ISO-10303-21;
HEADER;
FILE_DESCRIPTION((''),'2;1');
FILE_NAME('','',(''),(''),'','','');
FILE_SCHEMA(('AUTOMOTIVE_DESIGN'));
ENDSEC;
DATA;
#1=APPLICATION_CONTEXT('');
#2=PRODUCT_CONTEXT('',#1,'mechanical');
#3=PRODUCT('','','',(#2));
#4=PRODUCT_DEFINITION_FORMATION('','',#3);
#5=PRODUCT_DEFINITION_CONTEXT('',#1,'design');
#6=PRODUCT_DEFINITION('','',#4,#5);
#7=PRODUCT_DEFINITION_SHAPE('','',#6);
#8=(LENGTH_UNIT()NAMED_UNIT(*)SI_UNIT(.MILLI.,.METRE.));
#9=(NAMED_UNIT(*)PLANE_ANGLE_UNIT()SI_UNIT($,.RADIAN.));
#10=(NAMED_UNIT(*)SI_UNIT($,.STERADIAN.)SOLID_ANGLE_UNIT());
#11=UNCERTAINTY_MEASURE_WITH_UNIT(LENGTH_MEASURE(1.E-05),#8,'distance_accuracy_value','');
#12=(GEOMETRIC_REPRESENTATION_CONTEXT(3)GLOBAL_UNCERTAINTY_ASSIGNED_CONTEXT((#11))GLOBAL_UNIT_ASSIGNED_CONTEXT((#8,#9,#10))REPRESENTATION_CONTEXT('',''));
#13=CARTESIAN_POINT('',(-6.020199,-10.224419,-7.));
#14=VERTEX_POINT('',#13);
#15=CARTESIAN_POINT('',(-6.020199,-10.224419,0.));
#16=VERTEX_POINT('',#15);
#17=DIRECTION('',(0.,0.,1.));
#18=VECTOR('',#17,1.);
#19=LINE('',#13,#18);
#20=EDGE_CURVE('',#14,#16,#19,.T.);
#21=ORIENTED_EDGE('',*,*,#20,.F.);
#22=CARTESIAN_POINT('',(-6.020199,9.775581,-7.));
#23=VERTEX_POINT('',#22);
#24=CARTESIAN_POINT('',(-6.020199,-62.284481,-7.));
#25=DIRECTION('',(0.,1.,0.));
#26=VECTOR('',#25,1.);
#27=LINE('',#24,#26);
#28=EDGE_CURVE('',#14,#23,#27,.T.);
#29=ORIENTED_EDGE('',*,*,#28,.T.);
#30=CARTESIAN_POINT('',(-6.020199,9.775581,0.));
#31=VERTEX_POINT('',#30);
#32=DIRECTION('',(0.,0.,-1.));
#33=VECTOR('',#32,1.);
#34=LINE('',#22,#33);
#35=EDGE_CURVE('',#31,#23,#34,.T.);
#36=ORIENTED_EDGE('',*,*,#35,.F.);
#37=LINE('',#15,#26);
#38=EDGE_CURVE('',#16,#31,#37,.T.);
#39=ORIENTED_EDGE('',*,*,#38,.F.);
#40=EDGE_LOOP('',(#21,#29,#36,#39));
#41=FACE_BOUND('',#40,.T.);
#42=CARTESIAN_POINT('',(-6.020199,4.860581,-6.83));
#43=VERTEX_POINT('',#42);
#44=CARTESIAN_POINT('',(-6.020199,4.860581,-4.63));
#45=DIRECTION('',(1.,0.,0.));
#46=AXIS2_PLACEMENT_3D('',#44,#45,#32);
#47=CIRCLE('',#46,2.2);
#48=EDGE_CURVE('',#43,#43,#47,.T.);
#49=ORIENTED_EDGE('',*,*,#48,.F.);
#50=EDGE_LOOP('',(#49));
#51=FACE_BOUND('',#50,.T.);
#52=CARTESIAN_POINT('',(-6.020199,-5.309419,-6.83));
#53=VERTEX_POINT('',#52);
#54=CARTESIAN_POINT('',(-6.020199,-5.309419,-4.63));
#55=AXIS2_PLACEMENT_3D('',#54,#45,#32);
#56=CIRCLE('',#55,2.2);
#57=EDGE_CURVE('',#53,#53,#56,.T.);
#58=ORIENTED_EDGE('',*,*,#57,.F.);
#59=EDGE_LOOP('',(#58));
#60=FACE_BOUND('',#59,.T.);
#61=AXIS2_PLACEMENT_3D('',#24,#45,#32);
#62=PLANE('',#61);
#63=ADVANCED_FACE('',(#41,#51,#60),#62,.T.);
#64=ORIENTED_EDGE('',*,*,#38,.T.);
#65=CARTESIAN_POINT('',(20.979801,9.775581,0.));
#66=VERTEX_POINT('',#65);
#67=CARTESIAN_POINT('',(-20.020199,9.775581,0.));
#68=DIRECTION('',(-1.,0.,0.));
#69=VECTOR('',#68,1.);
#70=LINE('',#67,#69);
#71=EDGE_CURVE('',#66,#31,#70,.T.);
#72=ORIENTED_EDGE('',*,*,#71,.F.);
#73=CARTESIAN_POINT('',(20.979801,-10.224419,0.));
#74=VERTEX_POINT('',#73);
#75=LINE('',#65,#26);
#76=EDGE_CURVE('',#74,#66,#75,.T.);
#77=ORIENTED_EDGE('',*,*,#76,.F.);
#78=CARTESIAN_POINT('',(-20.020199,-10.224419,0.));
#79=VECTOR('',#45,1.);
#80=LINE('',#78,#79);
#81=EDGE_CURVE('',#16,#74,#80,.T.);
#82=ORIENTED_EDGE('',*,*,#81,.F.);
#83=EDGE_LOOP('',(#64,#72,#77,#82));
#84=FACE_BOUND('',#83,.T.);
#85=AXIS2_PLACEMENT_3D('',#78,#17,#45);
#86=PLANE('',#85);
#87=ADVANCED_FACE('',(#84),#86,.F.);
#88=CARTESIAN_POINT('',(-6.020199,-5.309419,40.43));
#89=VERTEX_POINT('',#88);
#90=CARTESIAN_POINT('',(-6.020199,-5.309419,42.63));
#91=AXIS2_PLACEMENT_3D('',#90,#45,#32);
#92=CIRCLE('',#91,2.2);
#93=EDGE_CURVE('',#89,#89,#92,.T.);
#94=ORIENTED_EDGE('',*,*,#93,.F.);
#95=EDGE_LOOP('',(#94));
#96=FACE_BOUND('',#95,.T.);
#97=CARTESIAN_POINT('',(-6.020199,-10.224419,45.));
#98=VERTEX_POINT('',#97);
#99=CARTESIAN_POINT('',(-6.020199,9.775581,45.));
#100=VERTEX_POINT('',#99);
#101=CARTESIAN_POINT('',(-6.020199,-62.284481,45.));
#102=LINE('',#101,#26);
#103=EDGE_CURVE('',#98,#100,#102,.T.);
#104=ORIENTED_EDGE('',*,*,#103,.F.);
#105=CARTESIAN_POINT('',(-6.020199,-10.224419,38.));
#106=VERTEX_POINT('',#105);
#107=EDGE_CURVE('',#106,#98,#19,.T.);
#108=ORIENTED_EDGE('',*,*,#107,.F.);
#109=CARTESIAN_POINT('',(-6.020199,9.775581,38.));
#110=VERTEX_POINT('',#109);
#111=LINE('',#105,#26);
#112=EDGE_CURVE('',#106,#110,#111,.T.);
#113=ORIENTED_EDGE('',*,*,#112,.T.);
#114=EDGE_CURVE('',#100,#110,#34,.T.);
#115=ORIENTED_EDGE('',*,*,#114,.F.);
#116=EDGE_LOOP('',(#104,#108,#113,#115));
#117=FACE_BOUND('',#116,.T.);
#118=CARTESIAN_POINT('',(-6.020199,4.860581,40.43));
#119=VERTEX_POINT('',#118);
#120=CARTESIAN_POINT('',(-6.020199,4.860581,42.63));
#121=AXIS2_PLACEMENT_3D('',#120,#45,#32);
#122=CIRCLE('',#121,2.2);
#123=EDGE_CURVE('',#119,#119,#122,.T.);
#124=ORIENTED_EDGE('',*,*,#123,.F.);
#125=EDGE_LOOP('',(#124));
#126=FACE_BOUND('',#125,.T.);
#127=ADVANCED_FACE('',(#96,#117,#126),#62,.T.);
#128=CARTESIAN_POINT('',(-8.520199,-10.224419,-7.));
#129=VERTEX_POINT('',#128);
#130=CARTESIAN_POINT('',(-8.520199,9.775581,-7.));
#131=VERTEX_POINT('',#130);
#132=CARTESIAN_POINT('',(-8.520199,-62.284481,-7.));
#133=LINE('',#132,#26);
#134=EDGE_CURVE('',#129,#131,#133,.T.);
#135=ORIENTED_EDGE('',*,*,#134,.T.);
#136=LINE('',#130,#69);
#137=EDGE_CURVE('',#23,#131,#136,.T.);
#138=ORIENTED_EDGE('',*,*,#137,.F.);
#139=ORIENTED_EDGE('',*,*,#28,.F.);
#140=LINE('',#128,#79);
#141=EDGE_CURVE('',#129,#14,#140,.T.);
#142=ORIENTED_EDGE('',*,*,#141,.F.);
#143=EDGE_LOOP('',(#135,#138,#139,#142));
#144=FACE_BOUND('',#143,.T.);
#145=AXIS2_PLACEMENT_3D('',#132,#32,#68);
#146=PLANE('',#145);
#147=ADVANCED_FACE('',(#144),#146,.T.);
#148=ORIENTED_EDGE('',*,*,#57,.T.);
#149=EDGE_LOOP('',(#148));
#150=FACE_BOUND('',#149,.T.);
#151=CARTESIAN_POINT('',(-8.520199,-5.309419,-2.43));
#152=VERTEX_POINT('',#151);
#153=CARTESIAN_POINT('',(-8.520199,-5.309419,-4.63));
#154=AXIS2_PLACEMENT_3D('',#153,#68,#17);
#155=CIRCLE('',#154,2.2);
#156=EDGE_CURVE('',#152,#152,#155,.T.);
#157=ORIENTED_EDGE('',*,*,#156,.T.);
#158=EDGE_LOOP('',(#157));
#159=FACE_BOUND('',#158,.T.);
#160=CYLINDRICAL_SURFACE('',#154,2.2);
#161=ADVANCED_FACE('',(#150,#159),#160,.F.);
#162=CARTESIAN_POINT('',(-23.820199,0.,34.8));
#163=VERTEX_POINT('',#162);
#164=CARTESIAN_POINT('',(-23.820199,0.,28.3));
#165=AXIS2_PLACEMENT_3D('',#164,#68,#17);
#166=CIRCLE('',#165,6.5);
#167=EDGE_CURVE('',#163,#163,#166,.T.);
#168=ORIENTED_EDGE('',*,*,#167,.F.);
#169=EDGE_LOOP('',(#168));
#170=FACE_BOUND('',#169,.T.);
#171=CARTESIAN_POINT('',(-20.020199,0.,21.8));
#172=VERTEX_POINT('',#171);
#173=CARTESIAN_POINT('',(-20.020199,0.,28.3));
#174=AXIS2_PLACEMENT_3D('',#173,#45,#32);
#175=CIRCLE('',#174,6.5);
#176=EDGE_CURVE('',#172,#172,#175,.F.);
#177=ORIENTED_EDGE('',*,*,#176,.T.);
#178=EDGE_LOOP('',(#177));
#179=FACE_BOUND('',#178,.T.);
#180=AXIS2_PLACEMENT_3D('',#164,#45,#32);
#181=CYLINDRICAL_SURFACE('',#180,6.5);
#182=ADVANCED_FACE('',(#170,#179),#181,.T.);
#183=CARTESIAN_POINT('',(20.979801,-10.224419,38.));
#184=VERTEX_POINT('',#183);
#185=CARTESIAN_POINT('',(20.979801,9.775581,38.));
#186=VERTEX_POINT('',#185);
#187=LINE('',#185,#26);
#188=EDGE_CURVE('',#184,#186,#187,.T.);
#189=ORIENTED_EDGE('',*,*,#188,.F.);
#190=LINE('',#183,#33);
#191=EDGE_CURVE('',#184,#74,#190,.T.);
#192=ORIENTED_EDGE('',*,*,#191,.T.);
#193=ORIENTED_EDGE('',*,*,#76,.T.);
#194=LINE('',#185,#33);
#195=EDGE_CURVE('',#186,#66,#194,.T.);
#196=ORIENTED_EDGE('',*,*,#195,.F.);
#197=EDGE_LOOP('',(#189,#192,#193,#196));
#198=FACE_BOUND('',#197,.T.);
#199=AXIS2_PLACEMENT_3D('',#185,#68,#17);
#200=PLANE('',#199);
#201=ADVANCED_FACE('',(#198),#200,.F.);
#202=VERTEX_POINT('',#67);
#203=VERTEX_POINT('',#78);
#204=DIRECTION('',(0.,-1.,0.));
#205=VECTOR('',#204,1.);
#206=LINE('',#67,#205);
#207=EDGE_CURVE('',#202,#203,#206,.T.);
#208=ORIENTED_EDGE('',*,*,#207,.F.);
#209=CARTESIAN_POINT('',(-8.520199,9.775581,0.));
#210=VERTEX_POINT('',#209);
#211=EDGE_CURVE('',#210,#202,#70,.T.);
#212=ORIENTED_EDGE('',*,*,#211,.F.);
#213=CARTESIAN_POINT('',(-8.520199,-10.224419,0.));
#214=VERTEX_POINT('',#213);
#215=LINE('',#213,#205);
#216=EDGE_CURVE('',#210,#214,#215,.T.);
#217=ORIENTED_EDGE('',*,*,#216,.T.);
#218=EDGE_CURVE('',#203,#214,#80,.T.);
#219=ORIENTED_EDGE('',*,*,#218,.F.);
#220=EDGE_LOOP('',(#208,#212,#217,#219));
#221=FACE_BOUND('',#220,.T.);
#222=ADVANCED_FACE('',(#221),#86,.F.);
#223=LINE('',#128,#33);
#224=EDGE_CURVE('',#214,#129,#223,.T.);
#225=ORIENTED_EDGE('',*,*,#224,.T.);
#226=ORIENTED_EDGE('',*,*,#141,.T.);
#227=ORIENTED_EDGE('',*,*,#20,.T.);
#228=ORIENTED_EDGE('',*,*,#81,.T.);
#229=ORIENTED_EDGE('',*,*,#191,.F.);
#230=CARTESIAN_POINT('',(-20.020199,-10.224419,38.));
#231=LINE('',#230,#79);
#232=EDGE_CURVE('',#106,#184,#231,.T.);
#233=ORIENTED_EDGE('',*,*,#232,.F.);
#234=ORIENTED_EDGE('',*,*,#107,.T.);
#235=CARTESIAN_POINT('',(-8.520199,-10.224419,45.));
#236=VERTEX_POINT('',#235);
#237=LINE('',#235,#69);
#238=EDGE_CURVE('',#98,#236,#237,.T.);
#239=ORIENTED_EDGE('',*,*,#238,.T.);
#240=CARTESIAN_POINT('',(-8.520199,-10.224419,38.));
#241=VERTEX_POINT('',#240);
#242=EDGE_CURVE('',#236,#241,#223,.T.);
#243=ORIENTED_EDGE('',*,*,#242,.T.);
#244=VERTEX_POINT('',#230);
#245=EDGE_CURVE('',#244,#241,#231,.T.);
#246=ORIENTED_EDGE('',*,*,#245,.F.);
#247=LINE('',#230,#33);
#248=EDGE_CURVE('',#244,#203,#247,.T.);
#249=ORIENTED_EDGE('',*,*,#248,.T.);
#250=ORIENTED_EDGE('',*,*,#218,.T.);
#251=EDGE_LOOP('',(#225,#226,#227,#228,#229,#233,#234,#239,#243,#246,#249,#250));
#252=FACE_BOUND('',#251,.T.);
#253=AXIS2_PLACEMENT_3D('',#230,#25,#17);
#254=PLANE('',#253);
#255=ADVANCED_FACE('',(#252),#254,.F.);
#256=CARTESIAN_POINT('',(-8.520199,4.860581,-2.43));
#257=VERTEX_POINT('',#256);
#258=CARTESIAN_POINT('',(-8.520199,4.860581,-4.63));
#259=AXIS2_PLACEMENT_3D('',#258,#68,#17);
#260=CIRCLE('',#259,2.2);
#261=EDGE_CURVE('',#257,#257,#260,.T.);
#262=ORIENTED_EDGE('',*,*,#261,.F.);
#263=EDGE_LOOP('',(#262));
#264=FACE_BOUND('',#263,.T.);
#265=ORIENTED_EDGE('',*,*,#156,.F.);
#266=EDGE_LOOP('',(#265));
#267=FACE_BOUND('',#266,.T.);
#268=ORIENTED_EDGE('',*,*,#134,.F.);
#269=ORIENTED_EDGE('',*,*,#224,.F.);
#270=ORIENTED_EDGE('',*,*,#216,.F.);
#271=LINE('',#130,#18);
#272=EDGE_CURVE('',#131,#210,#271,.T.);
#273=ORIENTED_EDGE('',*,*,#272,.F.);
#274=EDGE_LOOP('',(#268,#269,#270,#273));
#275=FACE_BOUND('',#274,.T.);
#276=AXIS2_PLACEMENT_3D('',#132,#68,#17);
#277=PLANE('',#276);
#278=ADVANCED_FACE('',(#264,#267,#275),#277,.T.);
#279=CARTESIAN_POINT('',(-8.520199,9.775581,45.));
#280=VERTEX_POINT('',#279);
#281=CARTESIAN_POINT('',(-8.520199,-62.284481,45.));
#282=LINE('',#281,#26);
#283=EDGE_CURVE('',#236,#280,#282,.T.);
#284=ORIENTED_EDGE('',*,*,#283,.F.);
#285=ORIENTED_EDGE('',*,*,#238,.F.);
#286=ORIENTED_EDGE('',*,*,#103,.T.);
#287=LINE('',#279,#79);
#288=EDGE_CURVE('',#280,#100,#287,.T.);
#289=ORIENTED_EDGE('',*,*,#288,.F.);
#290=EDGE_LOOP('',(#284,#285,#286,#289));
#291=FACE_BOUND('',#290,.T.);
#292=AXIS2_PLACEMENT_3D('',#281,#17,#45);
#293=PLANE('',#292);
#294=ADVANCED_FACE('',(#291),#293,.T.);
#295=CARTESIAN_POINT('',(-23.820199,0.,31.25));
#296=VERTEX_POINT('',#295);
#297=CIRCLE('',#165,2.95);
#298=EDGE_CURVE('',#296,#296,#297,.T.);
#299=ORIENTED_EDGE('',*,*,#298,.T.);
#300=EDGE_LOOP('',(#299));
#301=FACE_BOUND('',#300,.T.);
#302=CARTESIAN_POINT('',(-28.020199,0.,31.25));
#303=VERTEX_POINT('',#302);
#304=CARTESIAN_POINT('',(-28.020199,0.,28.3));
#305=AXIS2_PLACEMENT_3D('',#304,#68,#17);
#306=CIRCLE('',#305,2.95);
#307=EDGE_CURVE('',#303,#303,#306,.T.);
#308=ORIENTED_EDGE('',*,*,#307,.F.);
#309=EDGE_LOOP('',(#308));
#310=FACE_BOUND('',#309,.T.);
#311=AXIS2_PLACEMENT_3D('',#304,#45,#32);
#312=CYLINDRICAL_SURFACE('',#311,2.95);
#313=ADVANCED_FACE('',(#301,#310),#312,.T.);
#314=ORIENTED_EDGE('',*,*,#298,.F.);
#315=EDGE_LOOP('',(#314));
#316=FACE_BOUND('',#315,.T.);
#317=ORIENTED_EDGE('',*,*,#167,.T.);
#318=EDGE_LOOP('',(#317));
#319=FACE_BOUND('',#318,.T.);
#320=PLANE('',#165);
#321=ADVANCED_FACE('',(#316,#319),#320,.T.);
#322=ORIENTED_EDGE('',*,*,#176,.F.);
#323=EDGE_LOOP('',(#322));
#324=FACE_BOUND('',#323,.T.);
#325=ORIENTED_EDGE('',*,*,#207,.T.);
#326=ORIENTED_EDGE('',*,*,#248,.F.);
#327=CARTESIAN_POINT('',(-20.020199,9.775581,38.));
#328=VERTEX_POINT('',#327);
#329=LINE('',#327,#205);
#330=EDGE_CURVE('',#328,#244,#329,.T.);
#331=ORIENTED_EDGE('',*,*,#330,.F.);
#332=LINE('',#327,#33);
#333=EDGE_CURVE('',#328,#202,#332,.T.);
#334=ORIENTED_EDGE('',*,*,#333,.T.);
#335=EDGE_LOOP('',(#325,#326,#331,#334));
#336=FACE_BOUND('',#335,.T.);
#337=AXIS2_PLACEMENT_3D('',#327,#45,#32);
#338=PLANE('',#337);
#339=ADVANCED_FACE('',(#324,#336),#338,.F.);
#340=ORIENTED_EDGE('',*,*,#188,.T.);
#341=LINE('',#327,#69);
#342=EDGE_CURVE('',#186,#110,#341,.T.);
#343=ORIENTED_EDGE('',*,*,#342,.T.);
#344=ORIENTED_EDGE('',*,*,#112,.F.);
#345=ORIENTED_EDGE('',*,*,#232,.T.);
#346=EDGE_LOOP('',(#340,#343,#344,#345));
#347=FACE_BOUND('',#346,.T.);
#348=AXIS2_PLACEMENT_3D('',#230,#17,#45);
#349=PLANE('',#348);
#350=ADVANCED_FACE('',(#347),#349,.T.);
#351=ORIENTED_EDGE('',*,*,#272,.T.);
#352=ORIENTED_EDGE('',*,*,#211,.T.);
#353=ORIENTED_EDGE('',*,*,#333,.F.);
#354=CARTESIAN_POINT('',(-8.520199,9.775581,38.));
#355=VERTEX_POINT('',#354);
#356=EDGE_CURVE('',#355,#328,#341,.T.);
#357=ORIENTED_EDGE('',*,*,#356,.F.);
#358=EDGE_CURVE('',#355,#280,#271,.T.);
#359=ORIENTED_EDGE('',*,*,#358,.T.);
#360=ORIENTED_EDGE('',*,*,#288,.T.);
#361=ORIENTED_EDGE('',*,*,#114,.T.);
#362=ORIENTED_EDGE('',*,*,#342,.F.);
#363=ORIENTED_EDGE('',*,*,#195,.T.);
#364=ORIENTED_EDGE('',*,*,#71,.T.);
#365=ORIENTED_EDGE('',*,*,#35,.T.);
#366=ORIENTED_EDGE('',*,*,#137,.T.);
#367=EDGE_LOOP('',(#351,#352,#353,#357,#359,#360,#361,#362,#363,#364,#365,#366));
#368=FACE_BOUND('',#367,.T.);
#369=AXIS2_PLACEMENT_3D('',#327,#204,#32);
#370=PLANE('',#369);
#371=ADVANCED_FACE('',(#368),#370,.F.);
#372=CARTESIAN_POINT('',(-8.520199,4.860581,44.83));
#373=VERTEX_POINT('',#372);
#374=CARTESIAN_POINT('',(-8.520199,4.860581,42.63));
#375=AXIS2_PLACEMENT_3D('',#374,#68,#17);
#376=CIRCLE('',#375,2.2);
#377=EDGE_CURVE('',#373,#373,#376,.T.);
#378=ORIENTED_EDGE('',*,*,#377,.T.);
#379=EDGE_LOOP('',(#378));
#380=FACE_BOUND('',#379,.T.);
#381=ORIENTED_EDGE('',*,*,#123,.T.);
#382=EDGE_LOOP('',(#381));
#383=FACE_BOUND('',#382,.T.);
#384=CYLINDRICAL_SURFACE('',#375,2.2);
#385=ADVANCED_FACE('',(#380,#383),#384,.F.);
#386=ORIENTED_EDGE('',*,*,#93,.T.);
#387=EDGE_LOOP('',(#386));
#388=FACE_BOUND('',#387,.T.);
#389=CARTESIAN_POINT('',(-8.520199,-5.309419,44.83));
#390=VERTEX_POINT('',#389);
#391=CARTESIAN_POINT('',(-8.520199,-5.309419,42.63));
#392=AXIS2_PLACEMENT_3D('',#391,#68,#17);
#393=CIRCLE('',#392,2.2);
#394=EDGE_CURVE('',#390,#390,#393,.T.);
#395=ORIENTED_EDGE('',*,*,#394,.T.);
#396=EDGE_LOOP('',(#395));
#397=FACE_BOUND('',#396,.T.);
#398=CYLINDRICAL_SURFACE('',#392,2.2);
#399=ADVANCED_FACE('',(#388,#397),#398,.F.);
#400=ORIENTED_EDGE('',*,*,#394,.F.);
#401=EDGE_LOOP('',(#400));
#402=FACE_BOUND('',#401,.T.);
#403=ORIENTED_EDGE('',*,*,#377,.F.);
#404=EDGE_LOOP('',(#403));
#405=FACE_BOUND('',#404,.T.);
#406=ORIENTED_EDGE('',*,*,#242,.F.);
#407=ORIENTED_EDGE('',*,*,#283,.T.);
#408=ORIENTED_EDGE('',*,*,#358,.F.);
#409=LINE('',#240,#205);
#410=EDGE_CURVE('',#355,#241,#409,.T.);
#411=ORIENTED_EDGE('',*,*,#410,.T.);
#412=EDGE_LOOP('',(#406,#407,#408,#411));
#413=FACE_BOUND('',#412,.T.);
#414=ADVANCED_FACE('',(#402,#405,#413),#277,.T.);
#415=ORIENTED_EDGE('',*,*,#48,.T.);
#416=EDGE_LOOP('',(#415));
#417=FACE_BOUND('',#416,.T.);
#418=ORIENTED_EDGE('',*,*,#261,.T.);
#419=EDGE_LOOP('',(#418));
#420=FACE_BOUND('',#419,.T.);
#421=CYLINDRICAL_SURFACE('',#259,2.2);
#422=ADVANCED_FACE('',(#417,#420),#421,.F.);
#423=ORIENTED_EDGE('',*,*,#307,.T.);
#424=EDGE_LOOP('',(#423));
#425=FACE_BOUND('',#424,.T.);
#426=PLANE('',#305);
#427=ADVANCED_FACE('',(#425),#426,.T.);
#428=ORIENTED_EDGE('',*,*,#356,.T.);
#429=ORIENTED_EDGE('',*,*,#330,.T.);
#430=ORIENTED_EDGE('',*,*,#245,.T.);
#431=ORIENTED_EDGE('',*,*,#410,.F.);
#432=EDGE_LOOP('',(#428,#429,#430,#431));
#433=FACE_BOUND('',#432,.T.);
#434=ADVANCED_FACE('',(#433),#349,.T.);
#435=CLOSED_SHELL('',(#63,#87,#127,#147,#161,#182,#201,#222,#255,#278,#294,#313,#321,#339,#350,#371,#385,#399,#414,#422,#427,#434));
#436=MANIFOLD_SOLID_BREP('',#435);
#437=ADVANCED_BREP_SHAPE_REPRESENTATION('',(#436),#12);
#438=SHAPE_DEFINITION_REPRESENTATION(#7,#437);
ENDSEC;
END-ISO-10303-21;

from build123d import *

# Parameters (mm, degrees)
SKETCH1_W                      = 41
SKETCH1_H                      = 20
EXTRUDE1_DEPTH                 = 38
SKETCH2_W                      = 2.5
SKETCH2_H                      = 52
EXTRUDE2_DEPTH                 = 20
SKETCH3_R                      = 6.5
EXTRUDE3_DEPTH                 = 3.8
SKETCH4_R                      = 2.95
EXTRUDE4_DEPTH                 = 4.2
F_4_4_4_4_DIAMETER_HOLE1_D     = 4.4
F_4_4_4_4_DIAMETER_HOLE1_DEPTH = 150
F_4_4_4_4_DIAMETER_HOLE1_TIP   = 1.321893362


with BuildPart() as part:
    # Sketch1 → Extrude1 (new body)
    with BuildSketch(Plane.XY):
        with Locations((0.479801018, -0.224419429)):
            Rectangle(SKETCH1_W, SKETCH1_H)
    extrude(amount=EXTRUDE1_DEPTH)

    # Sketch2 → Extrude2 (add)
    with BuildSketch(Plane(origin=(0, 9.775580571, 0), x_dir=(1, 0, 0), z_dir=(0, 1, 0))):
        with Locations((-7.270198982, -19)):
            Rectangle(SKETCH2_W, SKETCH2_H)
    extrude(amount=-EXTRUDE2_DEPTH)

    # Sketch3 → Extrude3 (add)
    with BuildSketch(Plane.ZY.offset(20.020198982)):
        with Locations((28.3, 0)):
            Circle(SKETCH3_R)
    extrude(amount=EXTRUDE3_DEPTH)

    # Sketch4 → Extrude4 (add)
    with BuildSketch(Plane.ZY.offset(23.820198982)):
        with Locations((28.3, 0)):
            Circle(SKETCH4_R)
    extrude(amount=EXTRUDE4_DEPTH)

    # Ø4.4 (4.4) Diameter Hole1
    with Locations(Plane(origin=(-8.520198982, 4.860580571, -4.63), x_dir=(0, 0, -1), z_dir=(-1, 0, 0))):
        with Locations((0, 0), (0, 10.17), (-47.26, 0), (-47.26, 10.17)):
            Hole(F_4_4_4_4_DIAMETER_HOLE1_D / 2, depth=F_4_4_4_4_DIAMETER_HOLE1_DEPTH)
            with Locations((0, 0, -(F_4_4_4_4_DIAMETER_HOLE1_DEPTH + F_4_4_4_4_DIAMETER_HOLE1_TIP / 2))):  # 118° drill point
                Cone(0, F_4_4_4_4_DIAMETER_HOLE1_D / 2, F_4_4_4_4_DIAMETER_HOLE1_TIP, mode=Mode.SUBTRACT)


solid = part.part
